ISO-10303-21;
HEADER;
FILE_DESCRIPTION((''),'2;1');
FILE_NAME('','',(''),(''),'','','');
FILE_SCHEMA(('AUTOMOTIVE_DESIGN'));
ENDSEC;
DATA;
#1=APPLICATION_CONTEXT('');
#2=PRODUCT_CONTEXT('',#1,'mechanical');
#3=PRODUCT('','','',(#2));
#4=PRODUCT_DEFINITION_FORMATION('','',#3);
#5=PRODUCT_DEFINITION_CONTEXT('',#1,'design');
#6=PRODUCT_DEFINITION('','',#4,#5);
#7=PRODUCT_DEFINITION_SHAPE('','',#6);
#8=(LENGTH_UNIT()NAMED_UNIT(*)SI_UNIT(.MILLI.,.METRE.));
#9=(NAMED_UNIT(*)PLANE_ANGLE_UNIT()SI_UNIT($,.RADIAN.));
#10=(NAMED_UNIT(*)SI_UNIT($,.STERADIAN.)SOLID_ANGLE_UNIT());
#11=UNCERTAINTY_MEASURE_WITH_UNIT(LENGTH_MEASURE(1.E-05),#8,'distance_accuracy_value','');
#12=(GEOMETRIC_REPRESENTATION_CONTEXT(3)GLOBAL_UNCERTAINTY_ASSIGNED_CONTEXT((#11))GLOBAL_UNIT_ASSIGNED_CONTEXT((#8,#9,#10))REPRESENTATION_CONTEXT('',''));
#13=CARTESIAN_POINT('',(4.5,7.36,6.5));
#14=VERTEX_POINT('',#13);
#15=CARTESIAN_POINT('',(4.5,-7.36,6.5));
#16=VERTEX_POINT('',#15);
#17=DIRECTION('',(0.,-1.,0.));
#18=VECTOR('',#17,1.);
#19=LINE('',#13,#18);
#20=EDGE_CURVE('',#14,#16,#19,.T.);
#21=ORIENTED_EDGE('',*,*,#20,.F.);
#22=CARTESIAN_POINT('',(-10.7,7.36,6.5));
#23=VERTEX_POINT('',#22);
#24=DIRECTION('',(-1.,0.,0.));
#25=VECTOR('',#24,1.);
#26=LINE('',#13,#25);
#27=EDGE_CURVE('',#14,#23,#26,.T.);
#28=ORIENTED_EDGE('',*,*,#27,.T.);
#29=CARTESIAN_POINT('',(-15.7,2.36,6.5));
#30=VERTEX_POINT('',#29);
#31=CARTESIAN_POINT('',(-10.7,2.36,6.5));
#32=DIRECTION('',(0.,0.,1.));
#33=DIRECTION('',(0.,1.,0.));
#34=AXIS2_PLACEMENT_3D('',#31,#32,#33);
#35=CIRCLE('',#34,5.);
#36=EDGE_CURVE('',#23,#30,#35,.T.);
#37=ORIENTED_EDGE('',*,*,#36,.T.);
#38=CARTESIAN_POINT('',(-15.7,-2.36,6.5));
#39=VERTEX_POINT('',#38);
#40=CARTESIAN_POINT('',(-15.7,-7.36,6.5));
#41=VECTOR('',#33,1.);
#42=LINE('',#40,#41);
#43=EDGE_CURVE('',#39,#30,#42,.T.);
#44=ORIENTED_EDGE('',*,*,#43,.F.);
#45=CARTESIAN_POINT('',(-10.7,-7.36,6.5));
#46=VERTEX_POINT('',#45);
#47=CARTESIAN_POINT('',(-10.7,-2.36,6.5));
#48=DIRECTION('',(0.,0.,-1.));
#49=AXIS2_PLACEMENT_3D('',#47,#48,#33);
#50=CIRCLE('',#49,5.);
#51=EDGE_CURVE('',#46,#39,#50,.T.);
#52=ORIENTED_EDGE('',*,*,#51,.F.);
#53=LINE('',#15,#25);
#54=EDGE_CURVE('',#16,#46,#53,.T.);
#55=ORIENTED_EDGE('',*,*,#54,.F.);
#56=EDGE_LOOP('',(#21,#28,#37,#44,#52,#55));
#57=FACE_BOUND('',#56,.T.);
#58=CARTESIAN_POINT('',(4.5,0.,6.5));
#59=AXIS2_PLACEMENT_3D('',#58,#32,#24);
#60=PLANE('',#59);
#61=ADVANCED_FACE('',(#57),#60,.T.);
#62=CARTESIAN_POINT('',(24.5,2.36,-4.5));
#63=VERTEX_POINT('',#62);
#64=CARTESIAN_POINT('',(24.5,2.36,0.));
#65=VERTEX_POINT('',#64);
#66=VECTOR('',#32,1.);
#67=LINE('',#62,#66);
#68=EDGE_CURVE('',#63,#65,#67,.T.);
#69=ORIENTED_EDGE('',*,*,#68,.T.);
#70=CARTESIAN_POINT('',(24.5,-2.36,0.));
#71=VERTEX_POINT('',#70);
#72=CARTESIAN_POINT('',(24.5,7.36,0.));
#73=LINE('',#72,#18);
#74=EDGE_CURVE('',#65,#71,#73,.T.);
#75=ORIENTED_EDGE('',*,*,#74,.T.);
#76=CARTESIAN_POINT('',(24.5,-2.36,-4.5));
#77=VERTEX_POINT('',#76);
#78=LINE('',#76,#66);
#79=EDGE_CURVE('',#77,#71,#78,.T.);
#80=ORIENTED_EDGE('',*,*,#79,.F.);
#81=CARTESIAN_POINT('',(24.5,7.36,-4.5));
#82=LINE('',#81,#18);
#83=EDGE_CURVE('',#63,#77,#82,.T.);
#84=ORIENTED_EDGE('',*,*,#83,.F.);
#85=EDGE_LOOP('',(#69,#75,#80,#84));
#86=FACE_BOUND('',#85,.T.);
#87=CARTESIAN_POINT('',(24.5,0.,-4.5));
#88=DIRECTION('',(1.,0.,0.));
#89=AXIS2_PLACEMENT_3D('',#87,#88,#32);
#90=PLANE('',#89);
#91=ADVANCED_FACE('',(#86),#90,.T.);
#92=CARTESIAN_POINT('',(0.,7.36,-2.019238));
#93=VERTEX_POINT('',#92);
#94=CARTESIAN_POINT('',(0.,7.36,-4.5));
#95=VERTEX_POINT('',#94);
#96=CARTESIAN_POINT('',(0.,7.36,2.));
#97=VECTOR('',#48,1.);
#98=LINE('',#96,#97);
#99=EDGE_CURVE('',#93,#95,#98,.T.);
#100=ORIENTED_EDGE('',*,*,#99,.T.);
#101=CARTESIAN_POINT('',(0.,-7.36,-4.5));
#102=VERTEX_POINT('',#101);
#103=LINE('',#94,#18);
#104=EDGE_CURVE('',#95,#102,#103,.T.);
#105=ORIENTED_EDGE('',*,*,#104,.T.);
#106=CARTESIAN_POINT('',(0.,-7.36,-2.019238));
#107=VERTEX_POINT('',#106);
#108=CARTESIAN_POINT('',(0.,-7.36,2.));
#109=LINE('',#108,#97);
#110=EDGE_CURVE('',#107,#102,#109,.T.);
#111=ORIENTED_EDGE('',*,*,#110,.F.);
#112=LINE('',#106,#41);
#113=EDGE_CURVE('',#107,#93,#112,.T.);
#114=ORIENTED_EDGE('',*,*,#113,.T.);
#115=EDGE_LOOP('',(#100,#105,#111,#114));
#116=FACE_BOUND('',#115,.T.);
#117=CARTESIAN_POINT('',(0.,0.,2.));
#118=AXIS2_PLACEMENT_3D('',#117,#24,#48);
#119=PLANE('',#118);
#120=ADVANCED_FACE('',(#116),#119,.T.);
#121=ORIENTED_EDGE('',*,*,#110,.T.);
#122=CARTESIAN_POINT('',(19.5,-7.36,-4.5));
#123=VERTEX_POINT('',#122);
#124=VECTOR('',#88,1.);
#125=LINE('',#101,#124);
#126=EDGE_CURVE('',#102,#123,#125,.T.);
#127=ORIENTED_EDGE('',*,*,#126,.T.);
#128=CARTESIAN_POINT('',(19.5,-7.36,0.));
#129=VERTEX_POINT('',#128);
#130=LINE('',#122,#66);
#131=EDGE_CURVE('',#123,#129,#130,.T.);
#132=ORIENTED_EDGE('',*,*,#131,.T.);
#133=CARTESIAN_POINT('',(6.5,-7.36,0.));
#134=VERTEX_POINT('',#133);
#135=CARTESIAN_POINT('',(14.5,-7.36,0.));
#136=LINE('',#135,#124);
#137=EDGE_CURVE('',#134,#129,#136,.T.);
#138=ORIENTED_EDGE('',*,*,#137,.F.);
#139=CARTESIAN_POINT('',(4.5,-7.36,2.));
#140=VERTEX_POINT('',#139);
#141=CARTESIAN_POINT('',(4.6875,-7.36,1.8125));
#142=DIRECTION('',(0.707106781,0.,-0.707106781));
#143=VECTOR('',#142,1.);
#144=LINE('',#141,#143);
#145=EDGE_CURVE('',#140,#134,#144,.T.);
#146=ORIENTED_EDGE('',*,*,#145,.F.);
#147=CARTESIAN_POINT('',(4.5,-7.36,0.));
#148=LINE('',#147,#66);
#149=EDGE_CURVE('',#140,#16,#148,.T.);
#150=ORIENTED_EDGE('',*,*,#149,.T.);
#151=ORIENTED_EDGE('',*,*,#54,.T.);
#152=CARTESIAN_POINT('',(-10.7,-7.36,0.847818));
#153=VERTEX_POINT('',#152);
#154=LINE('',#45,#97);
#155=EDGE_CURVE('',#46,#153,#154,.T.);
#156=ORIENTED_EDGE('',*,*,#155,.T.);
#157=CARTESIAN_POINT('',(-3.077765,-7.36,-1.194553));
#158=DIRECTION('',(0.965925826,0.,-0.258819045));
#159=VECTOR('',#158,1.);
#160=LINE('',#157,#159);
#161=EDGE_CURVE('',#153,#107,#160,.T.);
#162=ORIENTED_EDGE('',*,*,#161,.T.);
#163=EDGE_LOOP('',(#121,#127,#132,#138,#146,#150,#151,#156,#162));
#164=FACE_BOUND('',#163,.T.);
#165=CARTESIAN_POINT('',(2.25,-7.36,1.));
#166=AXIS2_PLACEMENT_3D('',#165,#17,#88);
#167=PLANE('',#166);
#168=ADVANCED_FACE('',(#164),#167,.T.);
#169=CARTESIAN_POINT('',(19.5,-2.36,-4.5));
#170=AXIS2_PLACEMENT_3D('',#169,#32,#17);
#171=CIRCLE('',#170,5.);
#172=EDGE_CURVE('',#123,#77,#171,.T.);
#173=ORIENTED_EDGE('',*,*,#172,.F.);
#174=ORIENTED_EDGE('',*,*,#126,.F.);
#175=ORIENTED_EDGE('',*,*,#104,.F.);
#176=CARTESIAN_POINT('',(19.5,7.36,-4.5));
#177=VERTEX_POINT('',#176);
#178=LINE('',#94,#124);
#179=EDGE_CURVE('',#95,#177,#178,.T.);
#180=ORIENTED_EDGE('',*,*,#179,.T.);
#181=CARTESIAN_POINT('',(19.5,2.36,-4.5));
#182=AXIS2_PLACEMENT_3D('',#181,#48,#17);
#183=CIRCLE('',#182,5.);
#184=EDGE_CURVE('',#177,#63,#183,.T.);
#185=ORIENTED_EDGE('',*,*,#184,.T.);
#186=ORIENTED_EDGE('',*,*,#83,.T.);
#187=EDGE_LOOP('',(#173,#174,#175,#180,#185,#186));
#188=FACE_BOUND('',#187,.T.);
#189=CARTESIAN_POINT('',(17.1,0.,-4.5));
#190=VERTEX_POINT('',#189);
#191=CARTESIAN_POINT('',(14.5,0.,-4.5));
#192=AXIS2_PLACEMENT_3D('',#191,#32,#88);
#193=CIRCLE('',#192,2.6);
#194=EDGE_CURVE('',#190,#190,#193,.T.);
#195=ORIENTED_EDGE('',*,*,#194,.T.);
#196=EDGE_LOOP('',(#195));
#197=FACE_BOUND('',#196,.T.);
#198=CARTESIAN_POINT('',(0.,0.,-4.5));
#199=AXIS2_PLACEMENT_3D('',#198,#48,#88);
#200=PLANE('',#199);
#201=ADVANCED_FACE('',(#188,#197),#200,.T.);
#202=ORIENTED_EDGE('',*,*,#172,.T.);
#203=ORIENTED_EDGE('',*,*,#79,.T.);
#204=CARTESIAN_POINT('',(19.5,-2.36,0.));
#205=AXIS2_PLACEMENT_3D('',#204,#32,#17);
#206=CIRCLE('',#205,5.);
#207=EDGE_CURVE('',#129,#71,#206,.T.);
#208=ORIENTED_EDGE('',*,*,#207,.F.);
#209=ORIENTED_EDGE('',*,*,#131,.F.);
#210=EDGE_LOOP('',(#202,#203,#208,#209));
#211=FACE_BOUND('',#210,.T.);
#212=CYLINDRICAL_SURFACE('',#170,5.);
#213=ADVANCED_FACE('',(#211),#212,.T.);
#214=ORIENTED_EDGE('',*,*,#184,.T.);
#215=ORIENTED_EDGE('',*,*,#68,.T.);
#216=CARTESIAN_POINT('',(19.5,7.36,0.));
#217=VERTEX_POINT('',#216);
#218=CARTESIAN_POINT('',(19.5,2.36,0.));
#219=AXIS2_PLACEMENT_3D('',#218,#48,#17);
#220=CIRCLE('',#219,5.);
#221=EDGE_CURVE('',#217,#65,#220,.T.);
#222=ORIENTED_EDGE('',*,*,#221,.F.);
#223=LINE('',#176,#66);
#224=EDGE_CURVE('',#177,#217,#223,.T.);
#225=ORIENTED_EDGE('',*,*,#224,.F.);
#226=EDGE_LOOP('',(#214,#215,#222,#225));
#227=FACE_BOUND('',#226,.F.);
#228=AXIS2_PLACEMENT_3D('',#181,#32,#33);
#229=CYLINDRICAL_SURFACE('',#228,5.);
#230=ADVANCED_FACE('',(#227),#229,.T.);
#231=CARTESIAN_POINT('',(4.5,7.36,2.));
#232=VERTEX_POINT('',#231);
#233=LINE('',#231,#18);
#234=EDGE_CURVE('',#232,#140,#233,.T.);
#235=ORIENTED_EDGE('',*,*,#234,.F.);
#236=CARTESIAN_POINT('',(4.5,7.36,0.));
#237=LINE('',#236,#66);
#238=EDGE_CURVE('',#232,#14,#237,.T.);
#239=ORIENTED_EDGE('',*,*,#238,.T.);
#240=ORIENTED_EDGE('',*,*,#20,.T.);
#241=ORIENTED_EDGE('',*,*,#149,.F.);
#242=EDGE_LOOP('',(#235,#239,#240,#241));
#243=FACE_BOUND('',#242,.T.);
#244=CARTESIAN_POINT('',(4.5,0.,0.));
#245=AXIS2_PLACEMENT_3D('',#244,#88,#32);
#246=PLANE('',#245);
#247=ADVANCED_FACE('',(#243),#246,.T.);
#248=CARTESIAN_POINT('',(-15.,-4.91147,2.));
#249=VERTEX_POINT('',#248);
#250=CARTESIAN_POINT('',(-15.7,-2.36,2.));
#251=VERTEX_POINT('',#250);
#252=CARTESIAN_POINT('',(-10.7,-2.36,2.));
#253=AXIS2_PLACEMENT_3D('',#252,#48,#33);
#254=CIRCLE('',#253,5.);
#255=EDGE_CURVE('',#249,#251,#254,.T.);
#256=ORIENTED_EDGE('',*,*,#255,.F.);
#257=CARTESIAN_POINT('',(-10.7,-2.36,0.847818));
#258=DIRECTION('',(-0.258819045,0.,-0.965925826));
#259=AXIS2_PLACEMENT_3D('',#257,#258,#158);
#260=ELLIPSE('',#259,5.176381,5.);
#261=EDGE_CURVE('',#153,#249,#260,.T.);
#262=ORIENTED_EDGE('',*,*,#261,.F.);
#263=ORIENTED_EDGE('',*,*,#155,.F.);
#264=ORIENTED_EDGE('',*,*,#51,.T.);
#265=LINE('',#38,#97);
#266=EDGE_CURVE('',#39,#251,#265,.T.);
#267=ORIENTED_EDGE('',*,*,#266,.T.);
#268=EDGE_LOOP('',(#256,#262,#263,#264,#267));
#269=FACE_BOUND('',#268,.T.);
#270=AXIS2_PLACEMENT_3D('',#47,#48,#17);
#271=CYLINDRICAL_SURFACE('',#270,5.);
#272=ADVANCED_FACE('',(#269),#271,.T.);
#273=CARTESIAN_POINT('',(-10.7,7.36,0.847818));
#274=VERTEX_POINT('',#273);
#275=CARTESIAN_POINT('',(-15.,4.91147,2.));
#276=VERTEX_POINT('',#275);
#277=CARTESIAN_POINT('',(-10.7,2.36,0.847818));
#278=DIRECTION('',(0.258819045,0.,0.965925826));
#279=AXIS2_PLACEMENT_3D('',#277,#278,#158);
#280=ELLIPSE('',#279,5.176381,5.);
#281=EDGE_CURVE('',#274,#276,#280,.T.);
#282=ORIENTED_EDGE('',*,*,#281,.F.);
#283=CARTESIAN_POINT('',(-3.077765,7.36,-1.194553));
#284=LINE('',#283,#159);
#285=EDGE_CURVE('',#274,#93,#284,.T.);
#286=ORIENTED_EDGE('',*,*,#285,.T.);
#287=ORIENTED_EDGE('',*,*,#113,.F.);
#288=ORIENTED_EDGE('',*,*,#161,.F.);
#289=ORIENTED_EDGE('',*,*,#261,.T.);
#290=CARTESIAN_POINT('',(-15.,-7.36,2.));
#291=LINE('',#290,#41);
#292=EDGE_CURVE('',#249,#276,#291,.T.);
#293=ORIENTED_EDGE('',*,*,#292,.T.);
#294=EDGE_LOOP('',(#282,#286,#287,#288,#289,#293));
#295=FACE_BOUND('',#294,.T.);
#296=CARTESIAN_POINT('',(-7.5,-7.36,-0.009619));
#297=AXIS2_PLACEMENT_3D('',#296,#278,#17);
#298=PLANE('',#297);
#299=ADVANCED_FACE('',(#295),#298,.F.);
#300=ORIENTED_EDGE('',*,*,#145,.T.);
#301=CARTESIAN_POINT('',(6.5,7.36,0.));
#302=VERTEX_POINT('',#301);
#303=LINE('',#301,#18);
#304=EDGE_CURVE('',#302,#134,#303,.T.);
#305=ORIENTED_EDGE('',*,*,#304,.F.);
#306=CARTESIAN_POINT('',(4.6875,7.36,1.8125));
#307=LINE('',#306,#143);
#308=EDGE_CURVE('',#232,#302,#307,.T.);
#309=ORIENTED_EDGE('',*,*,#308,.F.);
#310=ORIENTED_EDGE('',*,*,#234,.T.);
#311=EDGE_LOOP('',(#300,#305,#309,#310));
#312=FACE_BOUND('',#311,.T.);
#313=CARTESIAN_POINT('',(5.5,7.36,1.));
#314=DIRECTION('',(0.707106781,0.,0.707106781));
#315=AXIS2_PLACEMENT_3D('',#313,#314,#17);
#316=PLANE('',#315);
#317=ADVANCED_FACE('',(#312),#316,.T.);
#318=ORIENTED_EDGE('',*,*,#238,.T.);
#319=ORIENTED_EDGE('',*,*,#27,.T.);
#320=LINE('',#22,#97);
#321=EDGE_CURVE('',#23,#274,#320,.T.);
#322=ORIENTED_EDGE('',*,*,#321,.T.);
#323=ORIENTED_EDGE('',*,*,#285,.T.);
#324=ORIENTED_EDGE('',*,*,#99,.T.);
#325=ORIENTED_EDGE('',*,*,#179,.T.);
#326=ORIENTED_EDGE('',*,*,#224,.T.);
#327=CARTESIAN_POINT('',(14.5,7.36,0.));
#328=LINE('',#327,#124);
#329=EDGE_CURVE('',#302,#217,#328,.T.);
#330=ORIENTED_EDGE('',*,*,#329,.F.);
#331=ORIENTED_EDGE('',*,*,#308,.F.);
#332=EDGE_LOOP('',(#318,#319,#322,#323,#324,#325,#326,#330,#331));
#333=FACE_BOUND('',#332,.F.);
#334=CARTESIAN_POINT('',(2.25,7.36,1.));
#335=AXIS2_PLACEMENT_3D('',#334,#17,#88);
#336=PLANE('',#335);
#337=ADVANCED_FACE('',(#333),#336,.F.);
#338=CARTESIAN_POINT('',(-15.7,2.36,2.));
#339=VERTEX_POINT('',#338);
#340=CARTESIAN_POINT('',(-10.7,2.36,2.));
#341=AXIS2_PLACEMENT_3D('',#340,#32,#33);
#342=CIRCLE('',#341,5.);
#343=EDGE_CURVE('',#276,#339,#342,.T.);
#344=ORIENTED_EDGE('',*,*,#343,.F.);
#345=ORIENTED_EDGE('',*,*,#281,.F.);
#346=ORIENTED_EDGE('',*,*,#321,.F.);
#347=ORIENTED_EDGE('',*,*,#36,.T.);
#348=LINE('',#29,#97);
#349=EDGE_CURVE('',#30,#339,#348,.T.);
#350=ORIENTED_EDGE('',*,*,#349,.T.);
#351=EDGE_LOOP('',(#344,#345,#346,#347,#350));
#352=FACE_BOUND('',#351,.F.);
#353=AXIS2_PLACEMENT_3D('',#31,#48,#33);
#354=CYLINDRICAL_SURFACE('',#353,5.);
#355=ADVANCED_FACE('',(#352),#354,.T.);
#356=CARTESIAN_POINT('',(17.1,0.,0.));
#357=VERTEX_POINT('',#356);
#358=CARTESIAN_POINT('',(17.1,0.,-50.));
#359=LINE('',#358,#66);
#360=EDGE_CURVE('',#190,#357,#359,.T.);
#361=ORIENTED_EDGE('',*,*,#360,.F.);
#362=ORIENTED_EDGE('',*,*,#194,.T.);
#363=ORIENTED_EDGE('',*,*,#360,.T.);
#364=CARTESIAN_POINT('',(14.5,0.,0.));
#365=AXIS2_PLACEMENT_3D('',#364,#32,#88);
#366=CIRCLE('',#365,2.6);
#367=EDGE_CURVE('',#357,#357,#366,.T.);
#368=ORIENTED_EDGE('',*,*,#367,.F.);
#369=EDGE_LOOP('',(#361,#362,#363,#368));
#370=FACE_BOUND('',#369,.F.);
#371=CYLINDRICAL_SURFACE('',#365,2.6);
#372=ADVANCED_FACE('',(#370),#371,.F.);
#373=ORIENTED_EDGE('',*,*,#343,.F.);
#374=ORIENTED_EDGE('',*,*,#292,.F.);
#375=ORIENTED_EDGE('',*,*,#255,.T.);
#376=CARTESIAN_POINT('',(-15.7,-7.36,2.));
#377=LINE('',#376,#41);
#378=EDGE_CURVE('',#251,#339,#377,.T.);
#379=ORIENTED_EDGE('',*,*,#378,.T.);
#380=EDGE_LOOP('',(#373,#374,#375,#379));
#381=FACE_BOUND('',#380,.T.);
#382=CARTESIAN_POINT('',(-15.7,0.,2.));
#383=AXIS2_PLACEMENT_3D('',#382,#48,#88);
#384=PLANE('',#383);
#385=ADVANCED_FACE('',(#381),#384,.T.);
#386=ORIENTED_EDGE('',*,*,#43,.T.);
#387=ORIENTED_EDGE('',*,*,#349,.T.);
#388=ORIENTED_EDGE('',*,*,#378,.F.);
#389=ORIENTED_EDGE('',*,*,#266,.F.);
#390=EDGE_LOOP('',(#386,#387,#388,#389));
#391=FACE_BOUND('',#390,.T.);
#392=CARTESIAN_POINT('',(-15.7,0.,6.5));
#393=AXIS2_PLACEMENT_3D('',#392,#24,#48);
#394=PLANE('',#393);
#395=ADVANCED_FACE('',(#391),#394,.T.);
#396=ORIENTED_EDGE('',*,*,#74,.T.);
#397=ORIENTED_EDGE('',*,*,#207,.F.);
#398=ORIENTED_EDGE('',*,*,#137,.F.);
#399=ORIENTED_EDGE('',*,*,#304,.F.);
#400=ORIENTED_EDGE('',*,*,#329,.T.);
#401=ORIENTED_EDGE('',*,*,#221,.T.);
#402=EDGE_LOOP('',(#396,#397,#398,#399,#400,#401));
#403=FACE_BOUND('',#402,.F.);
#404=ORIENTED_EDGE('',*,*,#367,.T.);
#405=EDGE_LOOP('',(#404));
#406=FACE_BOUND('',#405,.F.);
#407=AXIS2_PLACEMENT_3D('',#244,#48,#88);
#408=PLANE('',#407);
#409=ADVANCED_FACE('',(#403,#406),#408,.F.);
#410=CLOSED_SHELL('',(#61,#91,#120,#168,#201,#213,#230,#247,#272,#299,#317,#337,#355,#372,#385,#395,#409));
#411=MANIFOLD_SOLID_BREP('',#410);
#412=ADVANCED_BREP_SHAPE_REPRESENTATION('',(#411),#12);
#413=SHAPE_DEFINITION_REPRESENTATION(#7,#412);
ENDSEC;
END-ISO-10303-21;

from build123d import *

# Parameters (mm, degrees)
F0_W     = 4.5
F0_H     = 2
F0_H_2   = 4.5
F0_W_2   = 20
F1_DEPTH = 7.36
F2_R     = 2.6
F3_DEPTH = 50
F4_SIZE2 = 4.0192378865
F4_SIZE  = 15
F5_R     = 5
F6_SIZE  = 2


with BuildPart() as f1:
    # F0 (on Front) → F1 (new body, symmetric)
    with BuildSketch(Plane.XZ):
        with Locations((2.25, 1)):
            Rectangle(F0_W, F0_H)
        with Locations((2.25, -2.25)):
            Rectangle(F0_W, F0_H_2)
        with Locations((14.5, -2.25)):
            Rectangle(F0_W_2, F0_H_2)
        Polygon((-15.7, 2), (0, 2), (4.5, 2), (4.5, 6.5), (-15.7, 6.5), align=None)
    extrude(amount=F1_DEPTH, both=True)

    # F2 (on face) → F3 (cut, symmetric)
    with BuildSketch(Plane.XY):
        with Locations((14.5, 0)):
            Circle(F2_R)
    extrude(amount=F3_DEPTH, both=True, mode=Mode.SUBTRACT)

    # F4
    f4_edges = [f1.edges().sort_by_distance(p)[0] for p in [
        (0, 0, 2),
    ]]
    f4_side = f1.faces().sort_by_distance((-7.85, 0, 2))[0]
    chamfer(f4_edges, length=F4_SIZE, length2=F4_SIZE2, reference=f4_side)

    # F5
    f5_edges = [f1.edges().sort_by_distance(p)[0] for p in [
        (-15.7, 7.36, 4.25),
        (-15.7, -7.36, 4.25),
        (24.5, 7.36, -2.25),
        (24.5, -7.36, -2.25),
    ]]
    fillet(f5_edges, radius=F5_R)

    # F6
    f6_edges = [f1.edges().sort_by_distance(p)[0] for p in [
        (4.5, 0, 0),
    ]]
    chamfer(f6_edges, length=F6_SIZE)


solid = f1.part
